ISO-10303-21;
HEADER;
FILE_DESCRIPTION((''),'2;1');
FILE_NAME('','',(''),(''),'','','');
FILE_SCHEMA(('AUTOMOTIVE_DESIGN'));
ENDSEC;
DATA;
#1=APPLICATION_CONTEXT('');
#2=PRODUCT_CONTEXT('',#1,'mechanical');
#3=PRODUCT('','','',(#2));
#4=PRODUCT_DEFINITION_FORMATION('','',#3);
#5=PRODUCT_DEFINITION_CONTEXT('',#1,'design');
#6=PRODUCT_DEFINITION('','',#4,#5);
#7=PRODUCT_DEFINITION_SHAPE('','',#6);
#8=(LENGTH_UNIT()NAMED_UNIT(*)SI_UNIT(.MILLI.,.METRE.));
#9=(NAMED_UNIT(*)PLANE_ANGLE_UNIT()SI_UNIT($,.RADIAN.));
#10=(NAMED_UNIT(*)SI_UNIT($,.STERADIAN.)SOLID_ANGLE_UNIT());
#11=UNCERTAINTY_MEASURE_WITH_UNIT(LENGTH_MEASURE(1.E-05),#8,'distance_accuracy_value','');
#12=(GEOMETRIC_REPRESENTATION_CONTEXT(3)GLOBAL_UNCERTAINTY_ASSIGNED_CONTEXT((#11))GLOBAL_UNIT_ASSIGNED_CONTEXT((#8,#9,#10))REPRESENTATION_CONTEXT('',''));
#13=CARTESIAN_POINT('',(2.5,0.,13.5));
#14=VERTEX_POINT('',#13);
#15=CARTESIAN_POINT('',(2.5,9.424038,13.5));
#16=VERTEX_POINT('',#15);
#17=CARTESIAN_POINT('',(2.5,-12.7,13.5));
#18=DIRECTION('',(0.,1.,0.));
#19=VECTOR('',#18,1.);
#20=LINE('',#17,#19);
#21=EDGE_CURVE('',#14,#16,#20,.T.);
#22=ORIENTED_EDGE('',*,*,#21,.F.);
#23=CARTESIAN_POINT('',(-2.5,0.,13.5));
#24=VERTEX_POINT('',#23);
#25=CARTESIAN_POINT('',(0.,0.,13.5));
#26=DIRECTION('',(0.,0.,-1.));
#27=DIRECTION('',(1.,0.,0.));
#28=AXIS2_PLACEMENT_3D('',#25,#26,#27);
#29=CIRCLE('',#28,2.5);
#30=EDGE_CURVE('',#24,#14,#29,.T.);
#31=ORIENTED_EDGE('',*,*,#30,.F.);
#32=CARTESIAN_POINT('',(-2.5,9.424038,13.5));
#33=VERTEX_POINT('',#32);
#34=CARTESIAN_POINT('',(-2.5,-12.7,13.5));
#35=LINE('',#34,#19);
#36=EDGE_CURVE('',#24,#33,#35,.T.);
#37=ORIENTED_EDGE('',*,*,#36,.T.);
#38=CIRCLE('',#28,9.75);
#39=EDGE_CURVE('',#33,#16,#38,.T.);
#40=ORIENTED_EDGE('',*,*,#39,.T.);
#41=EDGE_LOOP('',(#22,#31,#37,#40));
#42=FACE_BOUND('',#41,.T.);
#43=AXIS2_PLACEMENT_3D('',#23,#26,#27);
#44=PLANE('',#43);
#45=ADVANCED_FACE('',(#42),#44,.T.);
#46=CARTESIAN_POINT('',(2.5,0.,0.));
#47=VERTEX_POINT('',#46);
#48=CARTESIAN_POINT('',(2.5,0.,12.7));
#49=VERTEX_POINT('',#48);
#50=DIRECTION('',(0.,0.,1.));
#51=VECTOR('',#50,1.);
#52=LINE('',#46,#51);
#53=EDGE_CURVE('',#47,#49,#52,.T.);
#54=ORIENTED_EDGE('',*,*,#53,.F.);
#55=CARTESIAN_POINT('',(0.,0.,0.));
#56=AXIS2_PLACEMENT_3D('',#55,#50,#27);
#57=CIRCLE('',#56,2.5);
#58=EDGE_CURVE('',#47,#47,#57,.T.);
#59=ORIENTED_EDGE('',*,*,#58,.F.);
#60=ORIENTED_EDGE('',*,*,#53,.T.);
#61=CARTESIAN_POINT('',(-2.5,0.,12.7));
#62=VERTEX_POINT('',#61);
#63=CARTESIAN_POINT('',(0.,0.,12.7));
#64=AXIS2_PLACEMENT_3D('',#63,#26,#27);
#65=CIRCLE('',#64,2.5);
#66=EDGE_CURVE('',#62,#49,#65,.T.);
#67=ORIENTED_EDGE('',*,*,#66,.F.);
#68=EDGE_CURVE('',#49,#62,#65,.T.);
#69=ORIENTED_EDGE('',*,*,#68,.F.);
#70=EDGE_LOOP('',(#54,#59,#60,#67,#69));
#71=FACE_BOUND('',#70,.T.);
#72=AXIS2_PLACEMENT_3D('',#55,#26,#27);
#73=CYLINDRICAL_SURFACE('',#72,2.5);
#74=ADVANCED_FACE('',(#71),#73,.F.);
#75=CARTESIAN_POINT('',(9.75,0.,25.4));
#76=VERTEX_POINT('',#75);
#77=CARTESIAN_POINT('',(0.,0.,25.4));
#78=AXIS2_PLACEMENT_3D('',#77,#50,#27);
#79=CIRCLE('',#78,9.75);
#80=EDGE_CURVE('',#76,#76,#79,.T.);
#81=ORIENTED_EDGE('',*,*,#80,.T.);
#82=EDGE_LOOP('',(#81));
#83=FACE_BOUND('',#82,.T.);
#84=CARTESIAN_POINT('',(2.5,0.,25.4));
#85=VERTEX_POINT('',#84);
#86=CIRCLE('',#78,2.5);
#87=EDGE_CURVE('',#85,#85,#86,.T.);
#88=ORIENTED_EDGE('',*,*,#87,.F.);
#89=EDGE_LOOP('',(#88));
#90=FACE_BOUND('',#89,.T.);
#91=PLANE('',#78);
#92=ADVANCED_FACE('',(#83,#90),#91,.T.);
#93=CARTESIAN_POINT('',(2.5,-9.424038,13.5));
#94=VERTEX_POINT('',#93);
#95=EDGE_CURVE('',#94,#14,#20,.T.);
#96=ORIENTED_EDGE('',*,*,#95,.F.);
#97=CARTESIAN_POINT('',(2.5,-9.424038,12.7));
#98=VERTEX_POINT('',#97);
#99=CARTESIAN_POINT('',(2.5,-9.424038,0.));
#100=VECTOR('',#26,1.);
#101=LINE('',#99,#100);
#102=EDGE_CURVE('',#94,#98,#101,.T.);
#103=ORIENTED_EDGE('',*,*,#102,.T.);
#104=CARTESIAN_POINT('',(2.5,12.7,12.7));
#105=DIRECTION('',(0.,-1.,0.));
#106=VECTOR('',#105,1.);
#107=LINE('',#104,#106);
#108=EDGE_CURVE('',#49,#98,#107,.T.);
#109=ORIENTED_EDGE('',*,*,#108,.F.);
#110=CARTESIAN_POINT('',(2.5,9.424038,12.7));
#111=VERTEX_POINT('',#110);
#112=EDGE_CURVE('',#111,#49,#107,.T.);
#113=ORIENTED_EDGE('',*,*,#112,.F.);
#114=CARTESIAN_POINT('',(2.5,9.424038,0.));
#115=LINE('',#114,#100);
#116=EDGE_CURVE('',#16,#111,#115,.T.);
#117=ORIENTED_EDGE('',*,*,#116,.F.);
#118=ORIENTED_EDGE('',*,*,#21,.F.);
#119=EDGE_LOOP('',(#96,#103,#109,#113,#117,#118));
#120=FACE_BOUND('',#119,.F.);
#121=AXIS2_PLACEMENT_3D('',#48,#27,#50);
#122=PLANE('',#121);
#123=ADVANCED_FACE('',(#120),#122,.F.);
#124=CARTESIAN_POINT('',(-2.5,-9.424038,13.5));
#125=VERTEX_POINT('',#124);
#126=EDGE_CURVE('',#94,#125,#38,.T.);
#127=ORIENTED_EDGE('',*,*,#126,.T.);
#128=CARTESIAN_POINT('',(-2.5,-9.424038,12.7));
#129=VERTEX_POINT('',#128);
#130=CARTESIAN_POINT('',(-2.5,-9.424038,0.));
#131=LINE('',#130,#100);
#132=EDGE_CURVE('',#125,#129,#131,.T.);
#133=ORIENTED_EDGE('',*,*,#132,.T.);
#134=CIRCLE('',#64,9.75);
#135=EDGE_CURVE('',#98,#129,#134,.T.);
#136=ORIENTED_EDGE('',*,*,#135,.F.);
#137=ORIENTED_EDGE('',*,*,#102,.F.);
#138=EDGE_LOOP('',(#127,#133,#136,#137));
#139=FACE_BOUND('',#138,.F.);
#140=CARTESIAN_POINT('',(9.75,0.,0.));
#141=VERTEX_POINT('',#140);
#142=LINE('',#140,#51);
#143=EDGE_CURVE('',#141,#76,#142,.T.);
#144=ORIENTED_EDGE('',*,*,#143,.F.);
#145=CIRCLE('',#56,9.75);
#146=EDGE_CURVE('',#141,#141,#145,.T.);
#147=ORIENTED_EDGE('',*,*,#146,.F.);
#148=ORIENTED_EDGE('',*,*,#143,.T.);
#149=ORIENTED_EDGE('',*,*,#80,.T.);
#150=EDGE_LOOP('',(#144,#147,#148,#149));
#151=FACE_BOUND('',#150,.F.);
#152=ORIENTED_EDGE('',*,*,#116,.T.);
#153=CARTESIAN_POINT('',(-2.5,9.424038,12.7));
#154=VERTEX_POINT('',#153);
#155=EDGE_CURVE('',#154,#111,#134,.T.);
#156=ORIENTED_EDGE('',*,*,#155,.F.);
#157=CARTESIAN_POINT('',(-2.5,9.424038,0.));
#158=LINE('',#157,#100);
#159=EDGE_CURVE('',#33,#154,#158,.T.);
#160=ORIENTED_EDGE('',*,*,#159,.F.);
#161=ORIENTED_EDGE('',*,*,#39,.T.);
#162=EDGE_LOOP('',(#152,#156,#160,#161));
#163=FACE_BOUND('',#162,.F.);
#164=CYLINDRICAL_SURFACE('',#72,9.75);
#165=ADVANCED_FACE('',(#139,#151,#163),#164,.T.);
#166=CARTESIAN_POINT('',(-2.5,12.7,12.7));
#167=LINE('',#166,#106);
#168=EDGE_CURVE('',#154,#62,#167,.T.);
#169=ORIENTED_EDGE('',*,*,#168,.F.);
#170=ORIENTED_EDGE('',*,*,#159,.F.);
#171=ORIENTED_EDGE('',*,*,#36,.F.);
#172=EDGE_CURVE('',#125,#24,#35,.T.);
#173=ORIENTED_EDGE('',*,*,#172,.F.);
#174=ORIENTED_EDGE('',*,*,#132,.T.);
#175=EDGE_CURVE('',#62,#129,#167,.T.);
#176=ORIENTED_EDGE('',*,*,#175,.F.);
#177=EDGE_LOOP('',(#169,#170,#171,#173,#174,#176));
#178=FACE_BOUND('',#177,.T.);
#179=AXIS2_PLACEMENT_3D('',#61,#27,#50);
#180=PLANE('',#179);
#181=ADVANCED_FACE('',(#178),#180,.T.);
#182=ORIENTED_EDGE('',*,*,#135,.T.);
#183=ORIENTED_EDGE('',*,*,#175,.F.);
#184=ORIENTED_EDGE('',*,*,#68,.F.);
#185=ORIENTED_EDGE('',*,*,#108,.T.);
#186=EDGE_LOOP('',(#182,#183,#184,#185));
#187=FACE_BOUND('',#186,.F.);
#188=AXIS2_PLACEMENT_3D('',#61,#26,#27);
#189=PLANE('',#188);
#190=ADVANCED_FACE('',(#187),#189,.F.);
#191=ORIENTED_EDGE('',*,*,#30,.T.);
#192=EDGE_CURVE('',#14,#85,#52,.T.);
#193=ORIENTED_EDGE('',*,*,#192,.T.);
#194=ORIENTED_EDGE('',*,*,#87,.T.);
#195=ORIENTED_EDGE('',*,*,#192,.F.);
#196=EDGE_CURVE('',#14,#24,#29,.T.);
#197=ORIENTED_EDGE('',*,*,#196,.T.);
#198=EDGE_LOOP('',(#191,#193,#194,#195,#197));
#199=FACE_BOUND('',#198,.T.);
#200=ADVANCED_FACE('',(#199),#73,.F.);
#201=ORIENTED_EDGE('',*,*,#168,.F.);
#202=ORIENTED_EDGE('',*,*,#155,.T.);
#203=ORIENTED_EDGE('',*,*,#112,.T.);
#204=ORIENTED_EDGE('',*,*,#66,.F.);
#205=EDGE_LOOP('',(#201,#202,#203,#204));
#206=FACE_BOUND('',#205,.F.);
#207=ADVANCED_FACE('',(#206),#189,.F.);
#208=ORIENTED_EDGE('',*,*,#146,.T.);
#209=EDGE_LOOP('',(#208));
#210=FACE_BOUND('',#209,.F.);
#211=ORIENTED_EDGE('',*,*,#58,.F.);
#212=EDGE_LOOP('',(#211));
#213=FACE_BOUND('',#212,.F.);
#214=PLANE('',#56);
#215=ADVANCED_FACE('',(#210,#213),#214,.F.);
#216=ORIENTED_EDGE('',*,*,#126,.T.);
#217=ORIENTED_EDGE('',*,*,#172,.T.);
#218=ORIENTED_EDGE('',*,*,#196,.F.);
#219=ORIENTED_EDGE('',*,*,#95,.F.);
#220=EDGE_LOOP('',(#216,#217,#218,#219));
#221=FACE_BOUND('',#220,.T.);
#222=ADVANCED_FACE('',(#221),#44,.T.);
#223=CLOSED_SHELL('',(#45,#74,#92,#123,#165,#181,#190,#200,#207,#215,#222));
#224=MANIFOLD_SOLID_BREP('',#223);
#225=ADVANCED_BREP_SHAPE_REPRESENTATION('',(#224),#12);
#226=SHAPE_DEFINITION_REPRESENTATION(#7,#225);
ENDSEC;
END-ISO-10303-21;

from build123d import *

# Parameters (mm, degrees)
F0_R     = 9.75
F0_R_2   = 2.5
F1_DEPTH = 25.4
F2_W     = 5
F2_H     = 0.8
F3_DEPTH = 12.7


with BuildPart() as f1:
    # F0 (on Top) → F1 (new body)
    with BuildSketch(Plane.XY):
        Circle(F0_R)
        Circle(F0_R_2, mode=Mode.SUBTRACT)
    extrude(amount=F1_DEPTH)

    # F2 (on Front) → F3 (cut, symmetric)
    with BuildSketch(Plane.XZ):
        with Locations((0, 13.1)):
            Rectangle(F2_W, F2_H)
    extrude(amount=F3_DEPTH, both=True, mode=Mode.SUBTRACT)


solid = f1.part
